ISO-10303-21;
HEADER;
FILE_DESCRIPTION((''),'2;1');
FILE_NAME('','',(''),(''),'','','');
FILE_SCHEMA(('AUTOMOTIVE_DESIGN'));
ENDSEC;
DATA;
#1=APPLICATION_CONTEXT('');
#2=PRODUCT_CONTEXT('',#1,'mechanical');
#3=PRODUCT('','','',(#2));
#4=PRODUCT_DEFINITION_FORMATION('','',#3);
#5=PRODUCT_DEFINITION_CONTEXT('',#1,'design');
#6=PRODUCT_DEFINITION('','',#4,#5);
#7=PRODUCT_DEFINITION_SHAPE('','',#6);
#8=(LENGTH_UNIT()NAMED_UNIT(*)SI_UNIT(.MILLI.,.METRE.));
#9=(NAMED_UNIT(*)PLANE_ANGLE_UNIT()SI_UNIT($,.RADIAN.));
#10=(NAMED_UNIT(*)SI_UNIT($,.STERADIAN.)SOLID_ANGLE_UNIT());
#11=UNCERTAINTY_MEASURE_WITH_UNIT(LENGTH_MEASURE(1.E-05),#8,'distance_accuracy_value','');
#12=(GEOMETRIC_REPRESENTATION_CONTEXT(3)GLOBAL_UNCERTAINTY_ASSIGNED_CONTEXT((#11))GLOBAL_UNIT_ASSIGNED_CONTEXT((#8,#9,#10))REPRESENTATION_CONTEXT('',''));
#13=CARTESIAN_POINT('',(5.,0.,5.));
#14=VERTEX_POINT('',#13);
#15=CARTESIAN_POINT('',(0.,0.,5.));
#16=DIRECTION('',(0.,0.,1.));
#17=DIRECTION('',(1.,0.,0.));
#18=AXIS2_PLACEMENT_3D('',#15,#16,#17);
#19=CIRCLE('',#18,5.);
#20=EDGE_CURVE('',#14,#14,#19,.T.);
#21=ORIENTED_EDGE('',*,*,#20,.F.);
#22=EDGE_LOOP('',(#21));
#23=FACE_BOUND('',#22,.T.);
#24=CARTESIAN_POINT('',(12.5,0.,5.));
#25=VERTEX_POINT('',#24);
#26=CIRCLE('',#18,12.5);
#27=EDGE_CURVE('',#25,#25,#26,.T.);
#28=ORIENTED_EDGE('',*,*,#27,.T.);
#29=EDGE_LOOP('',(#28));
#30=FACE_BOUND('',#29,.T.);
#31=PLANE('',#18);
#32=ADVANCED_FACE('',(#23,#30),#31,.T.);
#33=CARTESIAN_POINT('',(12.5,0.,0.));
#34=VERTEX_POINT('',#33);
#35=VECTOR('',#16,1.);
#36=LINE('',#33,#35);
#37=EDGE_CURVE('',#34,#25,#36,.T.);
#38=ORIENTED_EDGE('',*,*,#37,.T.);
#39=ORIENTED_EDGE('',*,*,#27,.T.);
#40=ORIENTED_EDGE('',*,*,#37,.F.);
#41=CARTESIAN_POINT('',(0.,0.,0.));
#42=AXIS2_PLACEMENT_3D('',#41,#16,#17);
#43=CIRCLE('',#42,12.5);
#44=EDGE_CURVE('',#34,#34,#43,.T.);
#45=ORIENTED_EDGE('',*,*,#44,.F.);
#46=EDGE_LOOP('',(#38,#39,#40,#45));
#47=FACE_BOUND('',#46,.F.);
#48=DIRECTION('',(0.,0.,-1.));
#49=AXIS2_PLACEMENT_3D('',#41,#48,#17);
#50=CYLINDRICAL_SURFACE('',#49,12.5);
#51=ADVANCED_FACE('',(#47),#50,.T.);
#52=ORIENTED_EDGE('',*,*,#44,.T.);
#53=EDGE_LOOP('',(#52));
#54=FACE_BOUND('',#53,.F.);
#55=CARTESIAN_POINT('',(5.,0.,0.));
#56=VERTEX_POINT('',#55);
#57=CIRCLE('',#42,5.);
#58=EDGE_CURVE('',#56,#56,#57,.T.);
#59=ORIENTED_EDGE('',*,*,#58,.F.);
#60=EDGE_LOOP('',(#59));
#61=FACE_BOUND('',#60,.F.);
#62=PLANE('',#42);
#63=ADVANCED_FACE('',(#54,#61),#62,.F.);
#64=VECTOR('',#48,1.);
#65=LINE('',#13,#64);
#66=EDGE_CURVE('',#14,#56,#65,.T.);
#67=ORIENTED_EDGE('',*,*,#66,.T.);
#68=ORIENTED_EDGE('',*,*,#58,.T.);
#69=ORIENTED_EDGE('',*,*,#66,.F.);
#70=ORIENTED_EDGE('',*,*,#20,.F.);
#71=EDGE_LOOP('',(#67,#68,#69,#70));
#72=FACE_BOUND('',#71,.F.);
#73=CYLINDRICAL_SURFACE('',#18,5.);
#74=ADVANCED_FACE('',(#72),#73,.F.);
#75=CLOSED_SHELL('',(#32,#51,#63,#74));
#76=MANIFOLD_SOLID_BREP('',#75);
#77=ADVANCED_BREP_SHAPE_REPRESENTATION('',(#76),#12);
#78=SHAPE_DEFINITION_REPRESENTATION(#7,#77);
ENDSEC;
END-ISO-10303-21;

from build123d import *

# Parameters (mm, degrees)
SKETCH1_R           = 12.5
BOSS_EXTRUDE3_DEPTH = 5
SKETCH5_R           = 5
CUT_EXTRUDE1_DEPTH  = 6


with BuildPart() as part:
    # Sketch1 → Boss-Extrude3 (new body)
    with BuildSketch(Plane.XY):
        Circle(SKETCH1_R)
    extrude(amount=BOSS_EXTRUDE3_DEPTH)

    # Sketch5 → Cut-Extrude1 (cut, through all)
    with BuildSketch(Plane.XY.offset(5)):
        Circle(SKETCH5_R)
    extrude(amount=-CUT_EXTRUDE1_DEPTH, mode=Mode.SUBTRACT)


solid = part.part
